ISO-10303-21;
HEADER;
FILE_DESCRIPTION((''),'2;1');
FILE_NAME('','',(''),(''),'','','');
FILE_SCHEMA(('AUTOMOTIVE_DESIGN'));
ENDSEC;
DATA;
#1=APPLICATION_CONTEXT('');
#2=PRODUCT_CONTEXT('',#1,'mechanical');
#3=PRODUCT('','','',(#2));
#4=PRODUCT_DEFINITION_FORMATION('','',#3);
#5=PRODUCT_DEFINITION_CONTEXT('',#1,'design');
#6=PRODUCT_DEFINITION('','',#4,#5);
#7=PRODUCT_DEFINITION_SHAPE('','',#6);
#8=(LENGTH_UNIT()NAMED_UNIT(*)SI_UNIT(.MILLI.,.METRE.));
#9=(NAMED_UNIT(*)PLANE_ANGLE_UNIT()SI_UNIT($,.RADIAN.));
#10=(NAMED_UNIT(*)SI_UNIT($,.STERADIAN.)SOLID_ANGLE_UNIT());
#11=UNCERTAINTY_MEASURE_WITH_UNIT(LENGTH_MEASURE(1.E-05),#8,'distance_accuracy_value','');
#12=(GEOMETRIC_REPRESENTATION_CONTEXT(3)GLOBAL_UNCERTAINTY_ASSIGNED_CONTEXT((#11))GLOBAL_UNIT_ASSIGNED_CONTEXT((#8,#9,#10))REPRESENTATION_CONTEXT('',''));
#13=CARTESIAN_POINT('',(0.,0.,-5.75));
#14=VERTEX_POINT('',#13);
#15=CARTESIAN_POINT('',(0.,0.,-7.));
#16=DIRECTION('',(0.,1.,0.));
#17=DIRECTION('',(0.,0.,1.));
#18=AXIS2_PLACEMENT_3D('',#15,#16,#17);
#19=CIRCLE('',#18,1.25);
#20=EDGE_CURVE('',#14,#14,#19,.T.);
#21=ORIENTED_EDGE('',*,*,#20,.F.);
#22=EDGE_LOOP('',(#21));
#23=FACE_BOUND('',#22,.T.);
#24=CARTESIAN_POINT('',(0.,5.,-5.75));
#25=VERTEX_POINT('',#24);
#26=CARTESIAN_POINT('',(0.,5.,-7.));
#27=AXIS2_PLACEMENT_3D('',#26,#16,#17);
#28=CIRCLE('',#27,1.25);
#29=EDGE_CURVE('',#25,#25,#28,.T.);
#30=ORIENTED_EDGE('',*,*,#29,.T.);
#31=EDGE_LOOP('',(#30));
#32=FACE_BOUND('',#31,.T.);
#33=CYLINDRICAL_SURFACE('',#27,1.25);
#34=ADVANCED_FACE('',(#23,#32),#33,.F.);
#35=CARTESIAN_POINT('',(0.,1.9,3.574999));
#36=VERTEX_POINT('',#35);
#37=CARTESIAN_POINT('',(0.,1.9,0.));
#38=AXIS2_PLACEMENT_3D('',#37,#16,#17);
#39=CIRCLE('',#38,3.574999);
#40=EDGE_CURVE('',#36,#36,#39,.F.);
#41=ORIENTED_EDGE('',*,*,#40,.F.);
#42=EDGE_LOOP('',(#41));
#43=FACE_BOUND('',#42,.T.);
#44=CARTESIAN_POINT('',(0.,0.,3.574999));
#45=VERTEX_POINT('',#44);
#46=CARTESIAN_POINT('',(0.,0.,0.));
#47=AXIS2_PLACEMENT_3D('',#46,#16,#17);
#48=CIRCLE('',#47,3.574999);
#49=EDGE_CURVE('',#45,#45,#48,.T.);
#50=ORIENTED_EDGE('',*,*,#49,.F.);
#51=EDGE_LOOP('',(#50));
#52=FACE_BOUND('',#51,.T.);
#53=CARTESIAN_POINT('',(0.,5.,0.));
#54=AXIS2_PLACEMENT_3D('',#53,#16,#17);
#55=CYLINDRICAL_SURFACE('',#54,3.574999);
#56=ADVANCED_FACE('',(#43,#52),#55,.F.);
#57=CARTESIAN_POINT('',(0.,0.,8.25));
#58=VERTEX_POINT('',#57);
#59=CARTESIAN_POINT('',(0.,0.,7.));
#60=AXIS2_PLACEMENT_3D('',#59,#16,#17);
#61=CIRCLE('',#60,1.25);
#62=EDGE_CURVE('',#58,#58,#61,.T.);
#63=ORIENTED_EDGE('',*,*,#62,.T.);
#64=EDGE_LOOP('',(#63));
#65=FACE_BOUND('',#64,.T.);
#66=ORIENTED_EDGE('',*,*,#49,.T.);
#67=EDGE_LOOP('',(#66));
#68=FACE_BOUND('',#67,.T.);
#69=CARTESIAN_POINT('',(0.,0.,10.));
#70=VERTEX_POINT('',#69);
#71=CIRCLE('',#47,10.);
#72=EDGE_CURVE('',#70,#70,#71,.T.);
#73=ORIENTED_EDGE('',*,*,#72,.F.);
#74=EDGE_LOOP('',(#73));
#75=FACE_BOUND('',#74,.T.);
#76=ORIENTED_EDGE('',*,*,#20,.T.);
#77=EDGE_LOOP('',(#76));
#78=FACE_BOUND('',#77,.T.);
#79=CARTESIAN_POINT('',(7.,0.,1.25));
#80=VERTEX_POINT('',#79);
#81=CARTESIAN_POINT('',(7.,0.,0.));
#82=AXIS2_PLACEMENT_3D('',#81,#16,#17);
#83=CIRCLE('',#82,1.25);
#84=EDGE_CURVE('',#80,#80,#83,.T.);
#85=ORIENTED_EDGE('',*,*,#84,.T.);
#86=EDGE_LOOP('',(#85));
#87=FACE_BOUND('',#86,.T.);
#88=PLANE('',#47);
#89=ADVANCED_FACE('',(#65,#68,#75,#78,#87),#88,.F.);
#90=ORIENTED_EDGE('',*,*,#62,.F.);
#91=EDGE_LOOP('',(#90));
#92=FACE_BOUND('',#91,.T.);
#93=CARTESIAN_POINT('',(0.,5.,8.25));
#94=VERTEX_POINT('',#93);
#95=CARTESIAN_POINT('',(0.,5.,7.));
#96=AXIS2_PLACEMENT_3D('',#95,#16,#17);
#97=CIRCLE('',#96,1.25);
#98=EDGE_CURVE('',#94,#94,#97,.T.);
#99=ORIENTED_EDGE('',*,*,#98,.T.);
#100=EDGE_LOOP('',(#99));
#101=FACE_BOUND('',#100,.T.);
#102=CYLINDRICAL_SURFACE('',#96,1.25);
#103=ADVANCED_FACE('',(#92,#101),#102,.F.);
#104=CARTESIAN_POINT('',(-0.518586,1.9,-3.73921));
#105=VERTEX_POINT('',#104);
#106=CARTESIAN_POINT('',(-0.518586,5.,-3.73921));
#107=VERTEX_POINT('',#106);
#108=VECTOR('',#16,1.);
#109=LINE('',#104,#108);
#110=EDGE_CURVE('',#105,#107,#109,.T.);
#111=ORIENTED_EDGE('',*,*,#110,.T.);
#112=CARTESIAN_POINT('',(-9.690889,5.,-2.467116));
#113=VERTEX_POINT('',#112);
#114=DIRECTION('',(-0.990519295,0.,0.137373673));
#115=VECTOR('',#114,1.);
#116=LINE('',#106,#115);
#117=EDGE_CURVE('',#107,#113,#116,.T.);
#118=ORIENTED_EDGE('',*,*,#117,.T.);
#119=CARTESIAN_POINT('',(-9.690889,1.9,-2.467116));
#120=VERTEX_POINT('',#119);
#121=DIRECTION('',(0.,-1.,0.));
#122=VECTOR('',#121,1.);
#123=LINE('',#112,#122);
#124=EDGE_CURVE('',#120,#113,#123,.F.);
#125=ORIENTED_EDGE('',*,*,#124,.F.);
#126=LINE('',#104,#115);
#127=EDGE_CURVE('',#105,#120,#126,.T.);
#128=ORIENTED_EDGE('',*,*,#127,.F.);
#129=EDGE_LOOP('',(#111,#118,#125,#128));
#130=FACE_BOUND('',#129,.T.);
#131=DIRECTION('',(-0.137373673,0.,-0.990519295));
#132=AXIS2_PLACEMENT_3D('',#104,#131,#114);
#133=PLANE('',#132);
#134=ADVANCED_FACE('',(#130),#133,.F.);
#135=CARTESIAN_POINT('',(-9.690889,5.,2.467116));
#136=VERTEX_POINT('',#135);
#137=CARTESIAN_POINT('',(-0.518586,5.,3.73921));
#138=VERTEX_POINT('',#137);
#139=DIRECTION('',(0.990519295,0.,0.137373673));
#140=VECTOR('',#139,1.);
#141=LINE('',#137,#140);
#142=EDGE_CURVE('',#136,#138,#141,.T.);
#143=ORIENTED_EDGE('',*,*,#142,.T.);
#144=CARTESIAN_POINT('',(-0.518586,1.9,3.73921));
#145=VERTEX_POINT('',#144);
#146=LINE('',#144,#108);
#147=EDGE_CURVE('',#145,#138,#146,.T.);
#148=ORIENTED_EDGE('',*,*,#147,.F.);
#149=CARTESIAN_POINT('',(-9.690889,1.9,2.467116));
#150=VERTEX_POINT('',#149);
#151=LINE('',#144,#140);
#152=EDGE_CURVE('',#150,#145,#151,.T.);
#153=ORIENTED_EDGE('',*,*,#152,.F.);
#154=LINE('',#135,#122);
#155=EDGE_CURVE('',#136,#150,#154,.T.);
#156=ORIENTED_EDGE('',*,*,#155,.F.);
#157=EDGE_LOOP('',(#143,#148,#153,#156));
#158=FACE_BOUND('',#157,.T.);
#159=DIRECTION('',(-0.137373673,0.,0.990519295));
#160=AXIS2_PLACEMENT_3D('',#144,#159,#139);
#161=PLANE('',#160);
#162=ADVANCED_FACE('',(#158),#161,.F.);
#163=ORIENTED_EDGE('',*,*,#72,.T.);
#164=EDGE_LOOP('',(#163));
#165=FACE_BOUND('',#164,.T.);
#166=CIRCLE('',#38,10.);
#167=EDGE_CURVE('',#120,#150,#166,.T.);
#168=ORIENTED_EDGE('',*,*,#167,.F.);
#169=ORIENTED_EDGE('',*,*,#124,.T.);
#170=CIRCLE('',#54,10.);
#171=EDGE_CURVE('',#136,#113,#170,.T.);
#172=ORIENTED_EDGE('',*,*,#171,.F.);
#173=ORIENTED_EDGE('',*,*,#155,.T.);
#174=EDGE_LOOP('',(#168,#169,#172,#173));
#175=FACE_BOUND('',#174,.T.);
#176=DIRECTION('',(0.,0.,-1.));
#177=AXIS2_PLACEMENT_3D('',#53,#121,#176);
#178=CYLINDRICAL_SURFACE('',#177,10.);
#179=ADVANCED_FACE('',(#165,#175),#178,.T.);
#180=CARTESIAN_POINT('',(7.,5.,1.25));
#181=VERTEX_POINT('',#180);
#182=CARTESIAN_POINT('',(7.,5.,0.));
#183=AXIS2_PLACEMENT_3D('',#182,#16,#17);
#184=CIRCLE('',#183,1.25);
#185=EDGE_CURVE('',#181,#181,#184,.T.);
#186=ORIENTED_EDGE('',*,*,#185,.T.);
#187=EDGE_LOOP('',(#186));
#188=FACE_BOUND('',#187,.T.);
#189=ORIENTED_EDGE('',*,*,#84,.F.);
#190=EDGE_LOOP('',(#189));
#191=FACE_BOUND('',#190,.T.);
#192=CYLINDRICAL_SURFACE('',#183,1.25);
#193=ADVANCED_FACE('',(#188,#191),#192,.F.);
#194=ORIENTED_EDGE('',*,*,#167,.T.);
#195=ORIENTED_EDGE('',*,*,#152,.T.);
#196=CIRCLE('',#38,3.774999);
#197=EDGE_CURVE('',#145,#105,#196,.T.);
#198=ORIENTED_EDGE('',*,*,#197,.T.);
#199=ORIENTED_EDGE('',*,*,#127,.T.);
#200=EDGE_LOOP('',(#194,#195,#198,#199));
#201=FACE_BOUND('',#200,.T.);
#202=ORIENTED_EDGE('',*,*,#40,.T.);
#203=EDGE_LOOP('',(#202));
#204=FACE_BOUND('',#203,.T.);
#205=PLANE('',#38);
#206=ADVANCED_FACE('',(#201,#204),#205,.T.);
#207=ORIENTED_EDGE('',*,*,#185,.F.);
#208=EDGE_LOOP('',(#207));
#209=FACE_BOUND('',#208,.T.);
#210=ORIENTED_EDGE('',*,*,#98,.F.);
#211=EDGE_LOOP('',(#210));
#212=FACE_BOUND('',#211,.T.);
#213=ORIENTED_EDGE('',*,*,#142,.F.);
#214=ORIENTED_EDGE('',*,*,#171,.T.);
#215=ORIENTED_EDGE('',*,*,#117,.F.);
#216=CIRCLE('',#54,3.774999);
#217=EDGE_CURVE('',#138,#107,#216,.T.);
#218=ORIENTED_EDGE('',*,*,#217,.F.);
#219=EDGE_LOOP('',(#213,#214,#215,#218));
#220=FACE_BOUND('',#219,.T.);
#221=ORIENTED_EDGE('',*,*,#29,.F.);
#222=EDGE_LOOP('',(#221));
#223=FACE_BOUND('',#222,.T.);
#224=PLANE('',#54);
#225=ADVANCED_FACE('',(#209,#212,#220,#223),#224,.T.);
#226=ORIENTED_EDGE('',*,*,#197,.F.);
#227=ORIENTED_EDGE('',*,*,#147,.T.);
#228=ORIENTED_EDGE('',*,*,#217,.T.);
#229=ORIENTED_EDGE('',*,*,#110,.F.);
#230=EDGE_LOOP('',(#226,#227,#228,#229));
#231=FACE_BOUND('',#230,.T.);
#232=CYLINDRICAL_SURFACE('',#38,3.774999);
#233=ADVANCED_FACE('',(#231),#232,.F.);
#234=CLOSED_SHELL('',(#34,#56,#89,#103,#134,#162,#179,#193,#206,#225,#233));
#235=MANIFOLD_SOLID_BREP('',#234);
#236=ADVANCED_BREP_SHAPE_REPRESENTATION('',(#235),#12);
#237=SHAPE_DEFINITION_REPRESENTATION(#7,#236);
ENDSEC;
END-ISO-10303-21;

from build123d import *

# Parameters (mm, degrees)
SKETCH1_R                       = 10
BOSS_EXTRUDE1_DEPTH             = 5
TAP_DRILL_FOR_M3X0_5_TAP1_D     = 2.5
TAP_DRILL_FOR_M3X0_5_TAP1_DEPTH = 38.1
CIRPATTERN1_COUNT               = 4
F_14_0_182_DIAMETER_HOLE1_D     = 7.1499984
CUT_EXTRUDE2_DEPTH              = 3.1


with BuildPart() as part:
    # Sketch1 → Boss-Extrude1 (new body)
    with BuildSketch(Plane(origin=(0, 0, 0), x_dir=(1, 0, 0), z_dir=(0, 1, 0))):
        Circle(SKETCH1_R)
    extrude(amount=BOSS_EXTRUDE1_DEPTH)

    # Tap Drill for M3x0.5 Tap1
    with Locations(Plane(origin=(0, 5, 0), x_dir=(1, 0, 0), z_dir=(0, 1, 0))):
        with Locations((7, 0)):
            tap_drill_for_m3x0_5_tap1 = Hole(TAP_DRILL_FOR_M3X0_5_TAP1_D / 2, depth=TAP_DRILL_FOR_M3X0_5_TAP1_DEPTH)

    # CirPattern1: Tap Drill for M3x0.5 Tap1 ×4 about axis, 1 skipped
    cirpattern1_axis = Axis((0, 5, 0), (0, -1, 0))
    add([tap_drill_for_m3x0_5_tap1.rotate(cirpattern1_axis, i * 360 / CIRPATTERN1_COUNT) for i in range(1, CIRPATTERN1_COUNT) if i not in (2,)], mode=Mode.SUBTRACT)

    # #14 (0.182) Diameter Hole1 (through all)
    with Locations(Plane(origin=(0, 5, 0), x_dir=(1, 0, 0), z_dir=(0, 1, 0))):
        with Locations((0, 0)):
            Hole(F_14_0_182_DIAMETER_HOLE1_D / 2)

    # Sketch9 → Cut-Extrude2 (cut)
    with BuildSketch(Plane(origin=(0, 5, 0), x_dir=(1, 0, 0), z_dir=(0, 1, 0))):
        with BuildLine():
            Line((-0.518585505, 3.739209547), (-12.660050371, 2.055327537))
            ThreePointArc((-12.660050371, 2.055327537), (-14.45, 0), (-12.660050371, -2.055327537))
            Line((-12.660050371, -2.055327537), (-0.518585505, -3.739209547))
            ThreePointArc((-0.518585505, -3.739209547), (3.7749992, 0), (-0.518585505, 3.739209547))
        make_face()
    extrude(amount=-CUT_EXTRUDE2_DEPTH, mode=Mode.SUBTRACT)


solid = part.part
